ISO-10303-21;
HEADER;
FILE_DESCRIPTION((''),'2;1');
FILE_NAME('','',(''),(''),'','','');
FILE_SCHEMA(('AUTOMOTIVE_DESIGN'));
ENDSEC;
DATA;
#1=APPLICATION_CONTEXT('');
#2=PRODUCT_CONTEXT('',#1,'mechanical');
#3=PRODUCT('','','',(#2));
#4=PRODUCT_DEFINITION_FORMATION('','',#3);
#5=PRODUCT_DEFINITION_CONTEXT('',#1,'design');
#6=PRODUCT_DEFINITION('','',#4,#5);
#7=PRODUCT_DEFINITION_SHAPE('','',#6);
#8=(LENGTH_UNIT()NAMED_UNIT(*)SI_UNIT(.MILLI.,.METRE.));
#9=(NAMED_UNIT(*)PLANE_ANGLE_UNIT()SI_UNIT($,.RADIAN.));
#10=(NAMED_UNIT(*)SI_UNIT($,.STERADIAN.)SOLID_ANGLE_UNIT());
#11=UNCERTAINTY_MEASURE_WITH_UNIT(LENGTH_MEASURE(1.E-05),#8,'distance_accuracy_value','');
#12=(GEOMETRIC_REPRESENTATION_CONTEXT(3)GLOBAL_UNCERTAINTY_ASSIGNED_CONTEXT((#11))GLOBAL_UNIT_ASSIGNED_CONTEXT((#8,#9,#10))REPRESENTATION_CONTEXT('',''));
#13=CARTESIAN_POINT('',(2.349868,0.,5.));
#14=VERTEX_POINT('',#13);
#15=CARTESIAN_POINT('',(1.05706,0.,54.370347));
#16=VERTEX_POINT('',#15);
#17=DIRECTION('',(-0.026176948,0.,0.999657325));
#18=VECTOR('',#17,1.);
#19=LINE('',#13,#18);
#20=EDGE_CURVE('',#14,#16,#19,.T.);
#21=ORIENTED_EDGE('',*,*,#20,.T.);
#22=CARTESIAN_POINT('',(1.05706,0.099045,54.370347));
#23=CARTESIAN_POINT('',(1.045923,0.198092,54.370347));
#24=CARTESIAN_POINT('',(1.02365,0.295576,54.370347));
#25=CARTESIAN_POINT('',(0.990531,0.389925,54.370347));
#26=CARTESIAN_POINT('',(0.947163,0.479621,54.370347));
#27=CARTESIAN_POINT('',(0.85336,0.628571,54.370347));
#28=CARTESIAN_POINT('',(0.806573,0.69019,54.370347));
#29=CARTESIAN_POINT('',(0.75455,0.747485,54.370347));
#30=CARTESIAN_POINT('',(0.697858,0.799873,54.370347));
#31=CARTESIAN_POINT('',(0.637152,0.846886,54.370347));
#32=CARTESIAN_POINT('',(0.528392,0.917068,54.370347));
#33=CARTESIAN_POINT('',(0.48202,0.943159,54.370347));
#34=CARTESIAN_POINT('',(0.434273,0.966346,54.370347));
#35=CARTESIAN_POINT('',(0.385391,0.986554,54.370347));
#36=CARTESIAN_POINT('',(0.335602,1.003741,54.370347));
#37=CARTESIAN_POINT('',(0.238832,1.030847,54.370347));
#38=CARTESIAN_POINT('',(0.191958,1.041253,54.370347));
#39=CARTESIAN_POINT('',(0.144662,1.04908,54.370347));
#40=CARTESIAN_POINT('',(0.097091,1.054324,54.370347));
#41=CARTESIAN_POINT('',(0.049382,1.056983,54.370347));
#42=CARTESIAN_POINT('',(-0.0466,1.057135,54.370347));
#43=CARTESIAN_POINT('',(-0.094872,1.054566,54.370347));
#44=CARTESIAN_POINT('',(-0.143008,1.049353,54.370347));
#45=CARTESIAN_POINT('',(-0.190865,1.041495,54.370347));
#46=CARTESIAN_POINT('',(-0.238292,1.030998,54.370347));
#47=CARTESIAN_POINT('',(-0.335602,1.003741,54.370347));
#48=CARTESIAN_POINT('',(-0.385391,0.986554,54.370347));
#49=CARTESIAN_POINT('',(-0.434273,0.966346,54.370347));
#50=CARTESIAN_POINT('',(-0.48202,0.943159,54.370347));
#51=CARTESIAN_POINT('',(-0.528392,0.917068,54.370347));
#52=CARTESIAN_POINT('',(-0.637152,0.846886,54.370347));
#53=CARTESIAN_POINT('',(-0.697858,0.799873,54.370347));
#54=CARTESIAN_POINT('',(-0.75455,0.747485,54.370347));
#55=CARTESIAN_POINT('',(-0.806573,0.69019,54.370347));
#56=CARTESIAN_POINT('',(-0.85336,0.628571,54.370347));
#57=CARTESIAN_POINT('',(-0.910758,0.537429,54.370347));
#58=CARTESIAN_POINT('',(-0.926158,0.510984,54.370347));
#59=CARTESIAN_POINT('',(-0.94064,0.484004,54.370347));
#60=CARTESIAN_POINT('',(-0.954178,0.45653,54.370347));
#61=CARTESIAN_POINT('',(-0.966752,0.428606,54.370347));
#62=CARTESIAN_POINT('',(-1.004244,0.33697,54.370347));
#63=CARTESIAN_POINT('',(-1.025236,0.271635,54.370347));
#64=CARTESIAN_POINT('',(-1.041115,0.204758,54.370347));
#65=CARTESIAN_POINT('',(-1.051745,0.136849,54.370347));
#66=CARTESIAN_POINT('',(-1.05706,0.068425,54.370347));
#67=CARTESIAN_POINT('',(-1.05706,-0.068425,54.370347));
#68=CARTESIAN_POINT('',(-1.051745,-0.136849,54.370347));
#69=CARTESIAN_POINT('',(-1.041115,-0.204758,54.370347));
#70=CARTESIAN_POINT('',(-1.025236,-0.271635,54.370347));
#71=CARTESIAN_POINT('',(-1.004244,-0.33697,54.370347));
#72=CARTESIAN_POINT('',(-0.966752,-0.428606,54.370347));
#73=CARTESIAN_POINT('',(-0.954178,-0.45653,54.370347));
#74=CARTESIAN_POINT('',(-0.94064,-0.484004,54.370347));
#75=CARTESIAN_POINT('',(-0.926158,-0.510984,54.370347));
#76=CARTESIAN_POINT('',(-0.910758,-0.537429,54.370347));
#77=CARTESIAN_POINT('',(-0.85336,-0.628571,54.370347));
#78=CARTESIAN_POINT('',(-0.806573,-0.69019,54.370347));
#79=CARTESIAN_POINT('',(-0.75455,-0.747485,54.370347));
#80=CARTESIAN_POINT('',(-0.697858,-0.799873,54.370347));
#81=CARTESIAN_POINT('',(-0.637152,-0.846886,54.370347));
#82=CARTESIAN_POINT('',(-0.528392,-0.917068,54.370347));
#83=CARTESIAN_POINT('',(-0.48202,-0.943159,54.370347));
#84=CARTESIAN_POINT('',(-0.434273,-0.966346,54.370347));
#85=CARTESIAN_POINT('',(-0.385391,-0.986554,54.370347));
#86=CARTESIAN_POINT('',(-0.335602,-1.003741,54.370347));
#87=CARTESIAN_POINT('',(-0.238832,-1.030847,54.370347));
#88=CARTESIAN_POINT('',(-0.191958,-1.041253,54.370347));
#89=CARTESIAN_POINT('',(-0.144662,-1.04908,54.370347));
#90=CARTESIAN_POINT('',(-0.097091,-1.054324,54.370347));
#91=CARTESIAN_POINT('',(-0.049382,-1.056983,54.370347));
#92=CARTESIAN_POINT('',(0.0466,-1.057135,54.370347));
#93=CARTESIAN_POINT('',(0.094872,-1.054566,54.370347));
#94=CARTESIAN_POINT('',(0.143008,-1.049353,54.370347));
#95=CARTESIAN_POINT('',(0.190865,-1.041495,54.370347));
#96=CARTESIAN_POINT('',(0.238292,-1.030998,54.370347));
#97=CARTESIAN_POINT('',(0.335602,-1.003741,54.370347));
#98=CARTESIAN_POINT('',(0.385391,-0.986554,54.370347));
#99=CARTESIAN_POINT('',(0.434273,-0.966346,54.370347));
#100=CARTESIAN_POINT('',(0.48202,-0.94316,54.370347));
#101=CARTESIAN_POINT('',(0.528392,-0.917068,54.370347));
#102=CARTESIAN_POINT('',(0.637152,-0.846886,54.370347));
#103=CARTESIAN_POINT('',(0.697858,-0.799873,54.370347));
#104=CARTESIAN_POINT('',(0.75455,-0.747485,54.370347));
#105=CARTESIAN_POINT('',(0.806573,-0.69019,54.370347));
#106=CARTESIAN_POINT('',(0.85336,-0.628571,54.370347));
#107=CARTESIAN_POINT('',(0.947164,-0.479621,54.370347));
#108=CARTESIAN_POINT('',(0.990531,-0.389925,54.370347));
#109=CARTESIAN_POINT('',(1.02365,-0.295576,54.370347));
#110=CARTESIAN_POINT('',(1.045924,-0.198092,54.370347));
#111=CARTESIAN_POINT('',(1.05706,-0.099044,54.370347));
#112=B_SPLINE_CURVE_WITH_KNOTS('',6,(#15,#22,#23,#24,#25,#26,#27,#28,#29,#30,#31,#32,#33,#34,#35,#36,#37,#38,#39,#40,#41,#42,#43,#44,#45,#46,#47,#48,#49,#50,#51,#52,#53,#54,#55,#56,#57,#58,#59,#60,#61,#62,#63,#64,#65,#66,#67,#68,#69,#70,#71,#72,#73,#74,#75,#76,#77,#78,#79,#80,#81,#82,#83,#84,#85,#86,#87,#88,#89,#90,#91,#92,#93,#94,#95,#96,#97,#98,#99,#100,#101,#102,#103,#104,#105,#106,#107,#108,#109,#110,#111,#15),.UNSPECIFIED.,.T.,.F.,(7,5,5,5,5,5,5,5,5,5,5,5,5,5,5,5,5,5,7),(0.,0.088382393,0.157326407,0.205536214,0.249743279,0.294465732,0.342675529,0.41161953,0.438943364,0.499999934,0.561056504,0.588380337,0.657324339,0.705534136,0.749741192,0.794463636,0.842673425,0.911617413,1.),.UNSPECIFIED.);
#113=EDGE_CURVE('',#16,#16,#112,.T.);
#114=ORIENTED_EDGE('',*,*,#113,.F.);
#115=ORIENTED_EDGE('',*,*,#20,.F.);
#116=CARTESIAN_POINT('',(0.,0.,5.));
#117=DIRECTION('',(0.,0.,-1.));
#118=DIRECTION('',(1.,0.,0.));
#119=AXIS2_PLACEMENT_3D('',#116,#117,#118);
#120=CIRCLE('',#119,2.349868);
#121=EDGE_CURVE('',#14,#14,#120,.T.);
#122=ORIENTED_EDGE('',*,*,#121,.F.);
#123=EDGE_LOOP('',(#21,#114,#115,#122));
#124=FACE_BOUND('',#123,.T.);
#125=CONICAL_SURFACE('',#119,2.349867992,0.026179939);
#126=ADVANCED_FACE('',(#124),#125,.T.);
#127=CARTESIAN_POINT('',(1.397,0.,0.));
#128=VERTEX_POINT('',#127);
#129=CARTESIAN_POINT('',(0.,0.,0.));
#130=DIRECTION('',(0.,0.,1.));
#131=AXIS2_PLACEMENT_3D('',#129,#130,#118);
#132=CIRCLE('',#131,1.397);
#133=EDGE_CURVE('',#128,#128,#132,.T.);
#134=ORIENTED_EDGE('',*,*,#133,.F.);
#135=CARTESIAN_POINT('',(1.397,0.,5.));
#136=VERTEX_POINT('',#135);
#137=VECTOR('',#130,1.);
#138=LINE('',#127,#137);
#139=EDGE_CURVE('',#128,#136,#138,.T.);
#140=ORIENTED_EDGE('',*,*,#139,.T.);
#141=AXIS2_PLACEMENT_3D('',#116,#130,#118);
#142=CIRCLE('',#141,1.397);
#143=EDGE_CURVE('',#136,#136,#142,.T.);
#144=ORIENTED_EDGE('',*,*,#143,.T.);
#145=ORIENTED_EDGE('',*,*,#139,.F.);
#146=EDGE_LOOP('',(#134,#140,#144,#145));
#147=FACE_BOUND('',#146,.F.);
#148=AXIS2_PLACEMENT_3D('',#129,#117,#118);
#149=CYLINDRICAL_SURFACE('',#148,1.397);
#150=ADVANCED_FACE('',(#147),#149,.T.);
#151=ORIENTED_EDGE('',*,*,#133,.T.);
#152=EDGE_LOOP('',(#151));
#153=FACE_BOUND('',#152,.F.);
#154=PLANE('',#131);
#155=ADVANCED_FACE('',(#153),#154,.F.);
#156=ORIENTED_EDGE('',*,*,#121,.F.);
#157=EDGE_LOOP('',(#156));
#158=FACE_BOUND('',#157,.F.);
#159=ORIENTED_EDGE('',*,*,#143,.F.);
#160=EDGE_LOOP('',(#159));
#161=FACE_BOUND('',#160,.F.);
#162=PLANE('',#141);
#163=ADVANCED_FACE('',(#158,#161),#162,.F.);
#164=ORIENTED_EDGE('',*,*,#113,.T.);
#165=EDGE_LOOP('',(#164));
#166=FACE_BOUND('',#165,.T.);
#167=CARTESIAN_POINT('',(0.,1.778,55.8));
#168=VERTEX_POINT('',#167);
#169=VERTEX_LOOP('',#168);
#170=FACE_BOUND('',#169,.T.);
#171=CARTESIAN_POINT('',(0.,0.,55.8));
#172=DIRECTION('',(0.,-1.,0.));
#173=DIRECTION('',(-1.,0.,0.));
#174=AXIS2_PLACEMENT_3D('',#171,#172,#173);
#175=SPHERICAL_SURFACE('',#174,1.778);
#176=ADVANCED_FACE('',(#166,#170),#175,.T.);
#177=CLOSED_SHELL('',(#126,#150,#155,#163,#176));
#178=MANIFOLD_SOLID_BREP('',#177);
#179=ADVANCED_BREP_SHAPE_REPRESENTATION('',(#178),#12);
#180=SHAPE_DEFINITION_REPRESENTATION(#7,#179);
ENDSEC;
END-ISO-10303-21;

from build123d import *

# Parameters (mm, degrees)
F0_R     = 1.397
F1_DEPTH = 5
F2_R     = 2.349867992
F3_DEPTH = 50.8
F3_TAPER = 1.5


with BuildPart() as f1:
    # F0 (on Top) → F1 (new body)
    with BuildSketch(Plane.XY):
        Circle(F0_R)
    extrude(amount=F1_DEPTH)

    # F2 (on face) → F3 (join)
    with BuildSketch(Plane.XY.offset(5)):
        Circle(F2_R)
    extrude(amount=F3_DEPTH, taper=F3_TAPER)

    # F4 (on face) → F5 (revolve)
    with BuildSketch(Plane.XY.offset(55.8)):
        with BuildLine():
            Line((0, -1.778), (0, 1.778))
            ThreePointArc((0, 1.778), (-1.778, 0), (0, -1.778))
        make_face()
    revolve(axis=Axis((0, 0, 55.8), (0, -1, 0)))


solid = f1.part
